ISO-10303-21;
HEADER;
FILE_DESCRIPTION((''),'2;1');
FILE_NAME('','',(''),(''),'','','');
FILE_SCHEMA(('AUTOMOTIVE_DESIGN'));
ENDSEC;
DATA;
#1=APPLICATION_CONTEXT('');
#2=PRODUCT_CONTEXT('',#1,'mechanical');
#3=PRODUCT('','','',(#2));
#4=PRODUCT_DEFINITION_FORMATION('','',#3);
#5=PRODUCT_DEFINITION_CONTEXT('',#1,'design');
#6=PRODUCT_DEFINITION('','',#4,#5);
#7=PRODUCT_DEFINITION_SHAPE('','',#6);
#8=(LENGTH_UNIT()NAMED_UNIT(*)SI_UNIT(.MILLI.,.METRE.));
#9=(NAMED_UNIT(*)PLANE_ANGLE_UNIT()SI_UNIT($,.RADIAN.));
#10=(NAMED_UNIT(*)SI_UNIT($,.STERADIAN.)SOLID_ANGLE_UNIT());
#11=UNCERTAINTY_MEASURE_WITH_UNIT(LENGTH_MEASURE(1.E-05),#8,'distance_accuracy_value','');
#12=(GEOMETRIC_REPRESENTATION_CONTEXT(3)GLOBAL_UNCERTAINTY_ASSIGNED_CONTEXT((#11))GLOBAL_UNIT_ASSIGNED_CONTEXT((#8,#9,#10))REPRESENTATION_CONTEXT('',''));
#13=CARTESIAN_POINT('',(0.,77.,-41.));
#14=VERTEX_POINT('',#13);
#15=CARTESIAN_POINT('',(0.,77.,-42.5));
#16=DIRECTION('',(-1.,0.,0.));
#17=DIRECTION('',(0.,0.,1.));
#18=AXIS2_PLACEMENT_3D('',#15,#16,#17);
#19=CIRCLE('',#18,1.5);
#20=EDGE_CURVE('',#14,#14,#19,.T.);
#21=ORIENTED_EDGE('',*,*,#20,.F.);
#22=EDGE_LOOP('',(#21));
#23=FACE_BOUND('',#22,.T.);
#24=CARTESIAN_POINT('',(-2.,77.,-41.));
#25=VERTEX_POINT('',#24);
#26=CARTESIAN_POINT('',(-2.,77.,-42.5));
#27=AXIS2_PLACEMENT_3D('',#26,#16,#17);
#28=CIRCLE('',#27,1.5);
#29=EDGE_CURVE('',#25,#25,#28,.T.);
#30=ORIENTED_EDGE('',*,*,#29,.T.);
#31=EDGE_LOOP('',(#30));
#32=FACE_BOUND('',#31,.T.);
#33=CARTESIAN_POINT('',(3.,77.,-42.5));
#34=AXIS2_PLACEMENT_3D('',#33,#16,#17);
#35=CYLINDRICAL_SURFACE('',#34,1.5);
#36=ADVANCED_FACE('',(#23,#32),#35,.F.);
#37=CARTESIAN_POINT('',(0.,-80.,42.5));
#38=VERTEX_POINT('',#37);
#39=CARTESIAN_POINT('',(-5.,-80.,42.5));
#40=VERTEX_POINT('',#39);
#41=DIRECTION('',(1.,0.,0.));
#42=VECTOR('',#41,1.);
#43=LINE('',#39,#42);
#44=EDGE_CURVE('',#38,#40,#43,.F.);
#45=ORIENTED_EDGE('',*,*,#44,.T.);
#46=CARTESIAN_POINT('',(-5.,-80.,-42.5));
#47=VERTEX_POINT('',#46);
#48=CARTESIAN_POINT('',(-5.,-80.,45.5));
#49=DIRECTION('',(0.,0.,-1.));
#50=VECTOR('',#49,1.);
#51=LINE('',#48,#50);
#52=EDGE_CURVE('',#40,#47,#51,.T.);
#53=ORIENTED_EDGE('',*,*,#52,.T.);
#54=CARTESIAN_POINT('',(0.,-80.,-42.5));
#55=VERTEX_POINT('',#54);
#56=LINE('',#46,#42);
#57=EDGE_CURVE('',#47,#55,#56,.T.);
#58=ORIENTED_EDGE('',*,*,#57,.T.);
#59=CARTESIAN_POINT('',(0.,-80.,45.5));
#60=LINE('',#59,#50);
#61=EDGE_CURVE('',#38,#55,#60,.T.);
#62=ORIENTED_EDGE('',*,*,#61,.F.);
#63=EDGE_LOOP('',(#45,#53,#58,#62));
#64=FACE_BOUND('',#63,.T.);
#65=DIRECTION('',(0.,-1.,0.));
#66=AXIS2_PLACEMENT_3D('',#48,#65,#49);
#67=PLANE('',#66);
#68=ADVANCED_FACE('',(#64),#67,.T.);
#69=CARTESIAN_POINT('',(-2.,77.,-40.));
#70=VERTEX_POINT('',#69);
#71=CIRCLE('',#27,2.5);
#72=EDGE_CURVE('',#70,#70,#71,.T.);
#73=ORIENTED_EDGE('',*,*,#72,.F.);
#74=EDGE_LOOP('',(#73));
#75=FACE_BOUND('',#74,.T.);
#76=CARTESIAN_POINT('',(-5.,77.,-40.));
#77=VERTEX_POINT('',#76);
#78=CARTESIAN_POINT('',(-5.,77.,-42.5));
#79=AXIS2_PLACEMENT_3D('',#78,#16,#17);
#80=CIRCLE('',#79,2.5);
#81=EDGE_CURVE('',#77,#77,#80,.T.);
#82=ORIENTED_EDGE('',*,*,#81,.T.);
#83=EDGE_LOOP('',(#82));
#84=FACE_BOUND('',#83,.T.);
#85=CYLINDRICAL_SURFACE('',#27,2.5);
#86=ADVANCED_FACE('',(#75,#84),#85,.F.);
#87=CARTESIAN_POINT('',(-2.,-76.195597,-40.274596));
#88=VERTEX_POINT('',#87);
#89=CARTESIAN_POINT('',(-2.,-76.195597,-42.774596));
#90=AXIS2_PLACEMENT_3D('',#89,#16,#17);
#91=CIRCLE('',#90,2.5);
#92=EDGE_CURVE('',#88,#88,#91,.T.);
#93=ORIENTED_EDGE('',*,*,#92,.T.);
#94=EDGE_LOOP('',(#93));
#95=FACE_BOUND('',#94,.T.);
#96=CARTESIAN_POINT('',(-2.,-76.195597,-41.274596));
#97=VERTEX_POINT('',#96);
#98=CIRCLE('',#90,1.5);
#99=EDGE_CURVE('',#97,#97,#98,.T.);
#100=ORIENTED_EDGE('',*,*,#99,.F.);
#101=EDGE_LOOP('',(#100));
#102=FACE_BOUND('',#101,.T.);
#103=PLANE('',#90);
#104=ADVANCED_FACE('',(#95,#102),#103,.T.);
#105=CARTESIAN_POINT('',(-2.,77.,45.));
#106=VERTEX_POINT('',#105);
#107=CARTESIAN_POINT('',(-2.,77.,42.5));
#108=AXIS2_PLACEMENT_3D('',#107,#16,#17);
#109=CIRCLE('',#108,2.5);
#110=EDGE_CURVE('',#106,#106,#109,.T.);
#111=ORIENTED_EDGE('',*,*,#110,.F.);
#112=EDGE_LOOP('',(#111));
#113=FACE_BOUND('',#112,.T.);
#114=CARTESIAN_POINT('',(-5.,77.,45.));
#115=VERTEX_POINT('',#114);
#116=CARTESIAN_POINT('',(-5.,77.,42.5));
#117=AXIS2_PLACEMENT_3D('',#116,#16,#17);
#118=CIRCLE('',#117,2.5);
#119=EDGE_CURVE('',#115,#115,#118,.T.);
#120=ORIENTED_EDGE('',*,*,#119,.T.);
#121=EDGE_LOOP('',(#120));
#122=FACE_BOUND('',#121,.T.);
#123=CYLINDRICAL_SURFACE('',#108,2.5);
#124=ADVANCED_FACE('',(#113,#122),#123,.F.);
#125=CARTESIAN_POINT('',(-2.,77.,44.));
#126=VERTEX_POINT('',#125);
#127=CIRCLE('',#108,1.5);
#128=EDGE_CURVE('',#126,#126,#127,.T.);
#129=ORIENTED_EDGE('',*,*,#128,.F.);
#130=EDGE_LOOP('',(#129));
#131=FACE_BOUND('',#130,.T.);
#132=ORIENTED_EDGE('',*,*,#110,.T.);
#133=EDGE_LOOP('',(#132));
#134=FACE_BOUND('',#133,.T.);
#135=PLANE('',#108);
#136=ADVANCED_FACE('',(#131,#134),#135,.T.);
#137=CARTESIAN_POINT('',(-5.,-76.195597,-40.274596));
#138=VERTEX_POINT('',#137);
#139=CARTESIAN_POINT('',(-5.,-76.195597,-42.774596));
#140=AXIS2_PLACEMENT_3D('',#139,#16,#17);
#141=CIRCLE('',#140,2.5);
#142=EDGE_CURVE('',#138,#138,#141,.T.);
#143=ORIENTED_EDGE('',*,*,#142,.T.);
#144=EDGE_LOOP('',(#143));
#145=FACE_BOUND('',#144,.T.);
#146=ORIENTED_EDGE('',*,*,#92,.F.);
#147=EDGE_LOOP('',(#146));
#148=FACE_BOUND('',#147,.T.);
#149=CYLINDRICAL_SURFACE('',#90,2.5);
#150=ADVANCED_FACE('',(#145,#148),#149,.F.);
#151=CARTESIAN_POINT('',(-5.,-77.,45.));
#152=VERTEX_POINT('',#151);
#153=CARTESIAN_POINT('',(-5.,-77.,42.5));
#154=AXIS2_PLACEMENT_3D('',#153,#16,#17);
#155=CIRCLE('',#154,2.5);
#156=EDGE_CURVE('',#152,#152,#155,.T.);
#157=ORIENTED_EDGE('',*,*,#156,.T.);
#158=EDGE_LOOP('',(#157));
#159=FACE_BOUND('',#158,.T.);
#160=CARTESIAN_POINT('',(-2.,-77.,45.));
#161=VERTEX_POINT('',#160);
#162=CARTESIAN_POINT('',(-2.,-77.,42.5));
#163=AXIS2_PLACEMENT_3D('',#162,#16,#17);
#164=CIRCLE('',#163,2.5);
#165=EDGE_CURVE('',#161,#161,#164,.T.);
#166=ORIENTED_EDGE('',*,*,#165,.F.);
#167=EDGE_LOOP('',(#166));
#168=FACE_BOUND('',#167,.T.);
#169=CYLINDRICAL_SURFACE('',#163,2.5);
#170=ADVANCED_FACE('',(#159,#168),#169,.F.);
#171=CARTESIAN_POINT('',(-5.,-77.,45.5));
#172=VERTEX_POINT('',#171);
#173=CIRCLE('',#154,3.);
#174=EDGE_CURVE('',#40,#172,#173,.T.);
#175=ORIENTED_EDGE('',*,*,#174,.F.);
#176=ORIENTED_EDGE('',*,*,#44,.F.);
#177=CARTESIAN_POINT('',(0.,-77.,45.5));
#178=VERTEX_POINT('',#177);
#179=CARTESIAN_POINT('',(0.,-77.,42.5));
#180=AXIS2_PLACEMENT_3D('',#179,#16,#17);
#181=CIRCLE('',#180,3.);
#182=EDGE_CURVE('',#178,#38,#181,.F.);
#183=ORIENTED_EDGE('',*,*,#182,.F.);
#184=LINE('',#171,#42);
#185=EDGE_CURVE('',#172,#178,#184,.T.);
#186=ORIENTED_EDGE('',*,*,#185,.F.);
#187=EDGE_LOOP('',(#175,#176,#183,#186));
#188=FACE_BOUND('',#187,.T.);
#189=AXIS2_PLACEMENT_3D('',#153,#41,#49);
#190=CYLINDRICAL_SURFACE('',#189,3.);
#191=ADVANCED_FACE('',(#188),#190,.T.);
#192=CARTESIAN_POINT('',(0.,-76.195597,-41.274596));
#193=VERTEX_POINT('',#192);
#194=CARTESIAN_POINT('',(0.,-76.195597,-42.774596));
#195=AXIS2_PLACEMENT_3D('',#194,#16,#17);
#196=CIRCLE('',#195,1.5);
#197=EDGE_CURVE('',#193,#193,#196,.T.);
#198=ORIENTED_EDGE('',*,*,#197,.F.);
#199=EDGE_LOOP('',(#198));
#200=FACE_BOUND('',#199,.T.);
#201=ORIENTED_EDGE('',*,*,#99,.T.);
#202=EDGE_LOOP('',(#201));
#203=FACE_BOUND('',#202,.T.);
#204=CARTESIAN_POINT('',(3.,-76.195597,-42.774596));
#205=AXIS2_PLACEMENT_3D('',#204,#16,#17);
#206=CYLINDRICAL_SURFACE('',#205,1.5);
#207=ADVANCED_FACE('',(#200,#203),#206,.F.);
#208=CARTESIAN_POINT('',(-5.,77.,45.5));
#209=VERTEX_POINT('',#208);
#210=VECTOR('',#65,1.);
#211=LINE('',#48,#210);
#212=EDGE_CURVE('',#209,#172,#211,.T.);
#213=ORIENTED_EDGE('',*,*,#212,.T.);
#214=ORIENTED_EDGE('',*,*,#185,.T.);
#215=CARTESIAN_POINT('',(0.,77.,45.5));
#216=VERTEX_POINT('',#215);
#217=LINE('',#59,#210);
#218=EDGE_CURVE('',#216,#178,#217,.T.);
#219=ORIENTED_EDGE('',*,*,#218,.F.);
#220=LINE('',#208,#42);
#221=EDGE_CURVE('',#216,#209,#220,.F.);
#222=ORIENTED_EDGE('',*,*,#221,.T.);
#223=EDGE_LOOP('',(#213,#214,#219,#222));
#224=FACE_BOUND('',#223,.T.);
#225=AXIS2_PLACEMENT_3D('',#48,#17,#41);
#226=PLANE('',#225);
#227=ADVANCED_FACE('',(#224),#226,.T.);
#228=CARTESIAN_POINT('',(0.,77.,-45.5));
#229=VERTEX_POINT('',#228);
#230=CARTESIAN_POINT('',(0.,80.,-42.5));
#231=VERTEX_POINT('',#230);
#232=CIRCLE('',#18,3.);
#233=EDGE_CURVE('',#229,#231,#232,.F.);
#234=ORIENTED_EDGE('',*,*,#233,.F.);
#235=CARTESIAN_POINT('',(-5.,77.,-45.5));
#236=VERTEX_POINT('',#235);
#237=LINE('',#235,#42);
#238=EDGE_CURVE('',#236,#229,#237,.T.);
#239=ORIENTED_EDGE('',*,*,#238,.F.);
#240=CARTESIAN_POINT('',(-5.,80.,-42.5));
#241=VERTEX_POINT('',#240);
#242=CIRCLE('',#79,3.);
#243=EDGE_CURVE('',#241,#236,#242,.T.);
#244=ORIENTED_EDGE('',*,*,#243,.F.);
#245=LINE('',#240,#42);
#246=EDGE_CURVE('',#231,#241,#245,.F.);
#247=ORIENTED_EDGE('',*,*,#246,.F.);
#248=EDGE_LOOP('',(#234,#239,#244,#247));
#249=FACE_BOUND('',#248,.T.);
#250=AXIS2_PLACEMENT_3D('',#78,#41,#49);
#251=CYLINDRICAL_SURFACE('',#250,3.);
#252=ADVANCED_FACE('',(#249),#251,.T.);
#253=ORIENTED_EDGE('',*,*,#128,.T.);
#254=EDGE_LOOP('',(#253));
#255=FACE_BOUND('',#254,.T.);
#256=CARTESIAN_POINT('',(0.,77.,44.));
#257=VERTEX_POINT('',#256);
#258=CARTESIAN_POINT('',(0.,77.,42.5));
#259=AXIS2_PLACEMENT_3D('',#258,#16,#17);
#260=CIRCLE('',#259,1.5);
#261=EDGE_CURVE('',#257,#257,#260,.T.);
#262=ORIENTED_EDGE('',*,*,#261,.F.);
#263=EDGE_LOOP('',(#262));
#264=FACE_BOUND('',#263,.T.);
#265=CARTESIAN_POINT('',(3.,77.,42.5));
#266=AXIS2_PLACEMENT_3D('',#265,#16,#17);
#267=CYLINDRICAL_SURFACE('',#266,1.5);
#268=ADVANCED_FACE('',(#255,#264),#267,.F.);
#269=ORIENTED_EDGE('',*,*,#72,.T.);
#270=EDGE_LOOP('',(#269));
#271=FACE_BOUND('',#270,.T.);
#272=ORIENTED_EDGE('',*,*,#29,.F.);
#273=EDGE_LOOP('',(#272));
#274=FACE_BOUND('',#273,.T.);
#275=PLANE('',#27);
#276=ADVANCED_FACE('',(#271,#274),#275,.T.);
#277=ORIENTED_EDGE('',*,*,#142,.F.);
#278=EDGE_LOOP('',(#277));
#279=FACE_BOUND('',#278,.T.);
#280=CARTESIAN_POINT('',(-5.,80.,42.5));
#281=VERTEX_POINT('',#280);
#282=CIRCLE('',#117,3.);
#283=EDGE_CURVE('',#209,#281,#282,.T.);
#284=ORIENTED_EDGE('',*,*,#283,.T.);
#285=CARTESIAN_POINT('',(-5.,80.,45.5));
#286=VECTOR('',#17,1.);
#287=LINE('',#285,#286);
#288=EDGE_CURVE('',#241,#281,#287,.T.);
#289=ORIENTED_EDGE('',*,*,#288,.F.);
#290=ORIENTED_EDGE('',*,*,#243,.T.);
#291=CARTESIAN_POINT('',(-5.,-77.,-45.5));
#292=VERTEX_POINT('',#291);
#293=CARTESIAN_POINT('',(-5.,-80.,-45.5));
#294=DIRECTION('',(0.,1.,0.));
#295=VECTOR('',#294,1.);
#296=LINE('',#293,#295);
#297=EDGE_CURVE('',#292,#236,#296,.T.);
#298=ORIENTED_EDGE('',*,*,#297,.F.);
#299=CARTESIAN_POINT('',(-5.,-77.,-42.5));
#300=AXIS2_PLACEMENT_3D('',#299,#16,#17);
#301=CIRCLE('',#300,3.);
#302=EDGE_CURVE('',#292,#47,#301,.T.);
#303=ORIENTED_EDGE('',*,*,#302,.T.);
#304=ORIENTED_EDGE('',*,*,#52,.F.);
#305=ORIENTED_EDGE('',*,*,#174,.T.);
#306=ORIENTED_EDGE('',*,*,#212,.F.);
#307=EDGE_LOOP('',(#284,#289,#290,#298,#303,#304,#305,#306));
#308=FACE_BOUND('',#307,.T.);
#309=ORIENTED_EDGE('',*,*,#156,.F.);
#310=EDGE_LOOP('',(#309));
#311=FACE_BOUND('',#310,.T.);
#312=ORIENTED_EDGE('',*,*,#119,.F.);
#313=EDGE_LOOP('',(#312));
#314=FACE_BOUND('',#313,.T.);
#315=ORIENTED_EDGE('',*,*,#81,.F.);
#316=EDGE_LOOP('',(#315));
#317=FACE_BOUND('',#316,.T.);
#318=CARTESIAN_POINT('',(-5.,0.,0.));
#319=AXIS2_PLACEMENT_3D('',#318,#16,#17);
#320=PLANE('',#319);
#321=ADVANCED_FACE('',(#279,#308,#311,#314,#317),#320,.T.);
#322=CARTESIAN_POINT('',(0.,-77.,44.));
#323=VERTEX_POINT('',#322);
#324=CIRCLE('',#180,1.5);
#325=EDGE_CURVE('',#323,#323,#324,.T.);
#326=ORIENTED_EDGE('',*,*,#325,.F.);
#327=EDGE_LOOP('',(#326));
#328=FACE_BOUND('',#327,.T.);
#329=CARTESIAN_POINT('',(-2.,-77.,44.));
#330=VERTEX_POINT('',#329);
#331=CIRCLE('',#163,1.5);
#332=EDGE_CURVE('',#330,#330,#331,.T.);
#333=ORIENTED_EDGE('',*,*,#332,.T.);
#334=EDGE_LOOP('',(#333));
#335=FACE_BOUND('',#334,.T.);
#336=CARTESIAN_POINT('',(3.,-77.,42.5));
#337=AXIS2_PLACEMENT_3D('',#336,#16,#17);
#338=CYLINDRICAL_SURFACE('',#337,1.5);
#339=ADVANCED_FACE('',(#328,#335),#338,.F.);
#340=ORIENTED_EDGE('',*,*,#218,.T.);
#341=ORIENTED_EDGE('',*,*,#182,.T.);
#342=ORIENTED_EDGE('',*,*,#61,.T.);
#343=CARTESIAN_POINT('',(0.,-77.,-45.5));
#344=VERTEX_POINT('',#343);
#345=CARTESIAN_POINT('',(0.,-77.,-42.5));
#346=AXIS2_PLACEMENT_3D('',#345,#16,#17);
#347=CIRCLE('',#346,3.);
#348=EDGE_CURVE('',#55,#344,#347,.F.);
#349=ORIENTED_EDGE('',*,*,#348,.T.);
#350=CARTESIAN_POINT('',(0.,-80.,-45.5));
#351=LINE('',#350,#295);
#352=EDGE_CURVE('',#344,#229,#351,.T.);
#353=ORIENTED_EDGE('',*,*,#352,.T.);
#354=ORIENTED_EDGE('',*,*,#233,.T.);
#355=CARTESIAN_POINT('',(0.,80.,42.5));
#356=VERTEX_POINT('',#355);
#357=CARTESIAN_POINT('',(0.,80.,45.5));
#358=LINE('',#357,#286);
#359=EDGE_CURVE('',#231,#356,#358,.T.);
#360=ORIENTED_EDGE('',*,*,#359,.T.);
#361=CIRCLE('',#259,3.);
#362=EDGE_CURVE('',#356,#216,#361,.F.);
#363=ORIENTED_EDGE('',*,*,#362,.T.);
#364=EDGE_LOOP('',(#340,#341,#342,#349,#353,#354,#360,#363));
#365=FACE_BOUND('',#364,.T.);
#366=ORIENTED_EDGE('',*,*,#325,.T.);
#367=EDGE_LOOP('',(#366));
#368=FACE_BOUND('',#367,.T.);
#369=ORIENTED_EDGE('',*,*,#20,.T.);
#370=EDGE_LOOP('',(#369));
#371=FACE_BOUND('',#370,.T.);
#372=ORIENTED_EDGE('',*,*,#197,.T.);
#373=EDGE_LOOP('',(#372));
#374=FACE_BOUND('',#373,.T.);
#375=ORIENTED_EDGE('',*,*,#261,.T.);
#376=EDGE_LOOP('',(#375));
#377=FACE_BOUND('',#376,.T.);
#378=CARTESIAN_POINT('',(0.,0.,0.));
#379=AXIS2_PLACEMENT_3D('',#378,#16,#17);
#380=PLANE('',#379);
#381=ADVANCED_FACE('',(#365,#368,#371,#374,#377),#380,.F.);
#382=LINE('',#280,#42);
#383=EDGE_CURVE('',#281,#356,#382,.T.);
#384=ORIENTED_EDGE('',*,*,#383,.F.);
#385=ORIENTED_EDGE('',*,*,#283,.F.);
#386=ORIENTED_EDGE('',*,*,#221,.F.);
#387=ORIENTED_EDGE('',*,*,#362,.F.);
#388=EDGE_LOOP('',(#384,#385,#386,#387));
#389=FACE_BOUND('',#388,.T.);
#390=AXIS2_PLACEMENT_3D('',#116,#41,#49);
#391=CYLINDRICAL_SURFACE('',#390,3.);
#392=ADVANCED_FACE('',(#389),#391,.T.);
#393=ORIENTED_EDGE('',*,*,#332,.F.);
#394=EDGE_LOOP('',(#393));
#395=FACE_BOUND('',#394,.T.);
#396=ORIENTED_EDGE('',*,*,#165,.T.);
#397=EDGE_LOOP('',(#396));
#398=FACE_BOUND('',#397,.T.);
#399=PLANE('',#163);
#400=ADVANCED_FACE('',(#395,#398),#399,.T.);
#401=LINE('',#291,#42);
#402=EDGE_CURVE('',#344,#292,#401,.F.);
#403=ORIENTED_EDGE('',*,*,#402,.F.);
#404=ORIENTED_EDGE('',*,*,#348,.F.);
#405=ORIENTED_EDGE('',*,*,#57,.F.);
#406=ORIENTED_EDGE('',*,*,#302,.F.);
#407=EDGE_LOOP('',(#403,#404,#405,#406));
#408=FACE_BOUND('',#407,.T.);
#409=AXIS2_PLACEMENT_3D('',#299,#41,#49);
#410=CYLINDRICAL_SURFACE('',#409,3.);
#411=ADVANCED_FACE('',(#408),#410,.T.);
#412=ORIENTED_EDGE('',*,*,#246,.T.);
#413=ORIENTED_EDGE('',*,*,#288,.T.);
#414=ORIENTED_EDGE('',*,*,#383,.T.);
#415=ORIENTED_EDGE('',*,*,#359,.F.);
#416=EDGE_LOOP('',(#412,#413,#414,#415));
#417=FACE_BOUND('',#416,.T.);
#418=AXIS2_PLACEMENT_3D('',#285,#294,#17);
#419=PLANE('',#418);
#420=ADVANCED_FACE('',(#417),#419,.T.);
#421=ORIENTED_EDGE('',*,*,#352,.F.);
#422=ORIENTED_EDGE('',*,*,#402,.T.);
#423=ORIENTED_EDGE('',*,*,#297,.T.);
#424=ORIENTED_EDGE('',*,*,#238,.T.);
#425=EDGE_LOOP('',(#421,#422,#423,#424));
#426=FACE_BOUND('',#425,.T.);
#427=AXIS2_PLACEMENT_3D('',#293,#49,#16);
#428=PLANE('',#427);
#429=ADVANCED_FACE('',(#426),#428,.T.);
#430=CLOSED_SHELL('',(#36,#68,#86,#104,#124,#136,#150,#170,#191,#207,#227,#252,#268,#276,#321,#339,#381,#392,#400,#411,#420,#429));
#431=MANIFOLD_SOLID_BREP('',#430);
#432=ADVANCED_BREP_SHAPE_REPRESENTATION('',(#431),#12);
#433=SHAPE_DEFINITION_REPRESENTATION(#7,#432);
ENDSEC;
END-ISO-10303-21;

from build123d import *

# Parameters (mm, degrees)
SKETCH1_W           = 91
SKETCH1_H           = 160
BOSS_EXTRUDE1_DEPTH = 5
FILLET1_R           = 3
SKETCH2_R           = 2.5
CUT_EXTRUDE1_DEPTH  = 3
SKETCH3_R           = 1.5
CUT_EXTRUDE2_DEPTH  = 5


with BuildPart() as part:
    # Sketch1 → Boss-Extrude1 (new body)
    with BuildSketch(Plane(origin=(0, 0, 0), x_dir=(0, 0, -1), z_dir=(1, 0, 0))):
        Rectangle(SKETCH1_W, SKETCH1_H)
    extrude(amount=-BOSS_EXTRUDE1_DEPTH)

    # Fillet1
    fillet1_edges = [part.edges().sort_by_distance(p)[0] for p in [
        (-2.5, -80, -45.5),
        (-2.5, -80, 45.5),
        (-2.5, 80, 45.5),
        (-2.5, 80, -45.5),
    ]]
    fillet(fillet1_edges, radius=FILLET1_R)

    # Sketch2 → Cut-Extrude1 (cut)
    with BuildSketch(Plane.ZY.offset(5)):
        with Locations((-42.774595658, -76.1955969)):
            Circle(SKETCH2_R)
        with Locations((42.5, -77)):
            Circle(SKETCH2_R)
        with Locations((42.5, 77)):
            Circle(SKETCH2_R)
        with Locations((-42.5, 77)):
            Circle(SKETCH2_R)
    extrude(amount=-CUT_EXTRUDE1_DEPTH, mode=Mode.SUBTRACT)

    # Sketch3 → Cut-Extrude2 (cut)
    with BuildSketch(Plane.ZY.offset(2)):
        with Locations((-42.5, 77)):
            Circle(SKETCH3_R)
        with Locations((42.5, 77)):
            Circle(SKETCH3_R)
        with Locations((42.5, -77)):
            Circle(SKETCH3_R)
        with Locations((-42.774595658, -76.1955969)):
            Circle(SKETCH3_R)
    extrude(amount=-CUT_EXTRUDE2_DEPTH, mode=Mode.SUBTRACT)


solid = part.part
